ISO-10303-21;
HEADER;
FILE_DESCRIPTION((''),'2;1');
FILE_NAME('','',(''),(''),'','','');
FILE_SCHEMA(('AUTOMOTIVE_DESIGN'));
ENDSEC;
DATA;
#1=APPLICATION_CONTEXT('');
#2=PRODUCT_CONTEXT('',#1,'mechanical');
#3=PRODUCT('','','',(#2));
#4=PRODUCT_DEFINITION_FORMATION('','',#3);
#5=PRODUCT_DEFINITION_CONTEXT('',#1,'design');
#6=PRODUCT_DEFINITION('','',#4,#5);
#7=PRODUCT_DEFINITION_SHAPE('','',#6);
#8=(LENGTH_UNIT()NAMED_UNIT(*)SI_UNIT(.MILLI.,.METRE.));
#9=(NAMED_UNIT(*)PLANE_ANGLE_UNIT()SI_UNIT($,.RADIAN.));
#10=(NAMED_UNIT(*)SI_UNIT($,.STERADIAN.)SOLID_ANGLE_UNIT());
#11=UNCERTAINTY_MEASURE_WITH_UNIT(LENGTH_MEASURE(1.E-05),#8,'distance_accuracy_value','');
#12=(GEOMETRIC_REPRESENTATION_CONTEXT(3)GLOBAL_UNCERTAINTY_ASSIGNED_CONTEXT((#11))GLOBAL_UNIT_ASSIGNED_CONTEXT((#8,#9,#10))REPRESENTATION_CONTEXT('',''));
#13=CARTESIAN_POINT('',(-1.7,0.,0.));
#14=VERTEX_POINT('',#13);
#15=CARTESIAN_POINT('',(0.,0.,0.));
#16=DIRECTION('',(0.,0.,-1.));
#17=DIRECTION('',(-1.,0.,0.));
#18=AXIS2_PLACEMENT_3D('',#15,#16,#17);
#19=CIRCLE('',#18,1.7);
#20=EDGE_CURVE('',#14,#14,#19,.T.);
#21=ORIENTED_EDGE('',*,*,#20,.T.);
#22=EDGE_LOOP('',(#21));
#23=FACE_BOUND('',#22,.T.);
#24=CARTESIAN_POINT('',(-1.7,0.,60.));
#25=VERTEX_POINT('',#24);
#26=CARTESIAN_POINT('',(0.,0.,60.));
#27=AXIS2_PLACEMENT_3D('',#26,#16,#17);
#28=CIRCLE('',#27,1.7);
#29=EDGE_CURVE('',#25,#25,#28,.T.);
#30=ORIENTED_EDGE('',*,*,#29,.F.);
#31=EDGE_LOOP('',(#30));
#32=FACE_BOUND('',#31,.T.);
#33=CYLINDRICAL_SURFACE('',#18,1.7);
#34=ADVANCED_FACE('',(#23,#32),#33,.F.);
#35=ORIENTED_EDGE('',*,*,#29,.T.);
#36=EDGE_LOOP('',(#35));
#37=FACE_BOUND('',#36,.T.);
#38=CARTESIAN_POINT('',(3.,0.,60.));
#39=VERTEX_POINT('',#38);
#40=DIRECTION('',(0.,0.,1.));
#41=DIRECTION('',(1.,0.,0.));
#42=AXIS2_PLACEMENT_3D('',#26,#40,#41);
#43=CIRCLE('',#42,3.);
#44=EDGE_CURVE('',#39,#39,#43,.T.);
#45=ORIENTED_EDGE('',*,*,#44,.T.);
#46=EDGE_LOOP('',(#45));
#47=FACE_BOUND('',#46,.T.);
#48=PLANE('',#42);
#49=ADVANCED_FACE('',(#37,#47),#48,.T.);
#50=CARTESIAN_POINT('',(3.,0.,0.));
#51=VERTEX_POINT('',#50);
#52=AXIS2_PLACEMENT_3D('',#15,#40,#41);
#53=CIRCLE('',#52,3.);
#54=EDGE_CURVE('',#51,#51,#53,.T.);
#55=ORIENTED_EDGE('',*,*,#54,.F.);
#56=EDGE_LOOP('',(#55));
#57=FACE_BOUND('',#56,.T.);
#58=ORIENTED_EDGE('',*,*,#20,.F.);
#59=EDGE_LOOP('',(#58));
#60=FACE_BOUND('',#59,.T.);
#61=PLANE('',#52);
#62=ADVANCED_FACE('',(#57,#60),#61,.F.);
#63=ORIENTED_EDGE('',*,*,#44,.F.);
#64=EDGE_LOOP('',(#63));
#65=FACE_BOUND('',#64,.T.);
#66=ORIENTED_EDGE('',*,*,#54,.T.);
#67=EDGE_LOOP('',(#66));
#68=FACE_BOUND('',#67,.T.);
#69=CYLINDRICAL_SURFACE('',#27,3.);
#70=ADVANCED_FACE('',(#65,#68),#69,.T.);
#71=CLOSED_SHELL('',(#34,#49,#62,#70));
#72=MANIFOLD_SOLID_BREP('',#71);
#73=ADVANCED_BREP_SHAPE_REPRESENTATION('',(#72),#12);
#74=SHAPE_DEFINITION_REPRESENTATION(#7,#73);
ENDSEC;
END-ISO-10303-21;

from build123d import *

# Parameters (mm, degrees)
SKETCH_1_R         = 3
EXTRUDE_1_DEPTH    = 60
HOLE_WIZARD_M3_1_D = 3.4


with BuildPart() as part:
    # ｽｹｯﾁ1 → ﾎﾞｽ - 押し出し1 (new body)
    with BuildSketch(Plane.XY):
        Circle(SKETCH_1_R)
    extrude(amount=EXTRUDE_1_DEPTH)

    # M3 すきま穴1 (through all)
    with Locations(Plane(origin=(0, 0, 0), x_dir=(-1, 0, 0), z_dir=(0, 0, -1))):
        with Locations((0, 0)):
            Hole(HOLE_WIZARD_M3_1_D / 2)


solid = part.part
